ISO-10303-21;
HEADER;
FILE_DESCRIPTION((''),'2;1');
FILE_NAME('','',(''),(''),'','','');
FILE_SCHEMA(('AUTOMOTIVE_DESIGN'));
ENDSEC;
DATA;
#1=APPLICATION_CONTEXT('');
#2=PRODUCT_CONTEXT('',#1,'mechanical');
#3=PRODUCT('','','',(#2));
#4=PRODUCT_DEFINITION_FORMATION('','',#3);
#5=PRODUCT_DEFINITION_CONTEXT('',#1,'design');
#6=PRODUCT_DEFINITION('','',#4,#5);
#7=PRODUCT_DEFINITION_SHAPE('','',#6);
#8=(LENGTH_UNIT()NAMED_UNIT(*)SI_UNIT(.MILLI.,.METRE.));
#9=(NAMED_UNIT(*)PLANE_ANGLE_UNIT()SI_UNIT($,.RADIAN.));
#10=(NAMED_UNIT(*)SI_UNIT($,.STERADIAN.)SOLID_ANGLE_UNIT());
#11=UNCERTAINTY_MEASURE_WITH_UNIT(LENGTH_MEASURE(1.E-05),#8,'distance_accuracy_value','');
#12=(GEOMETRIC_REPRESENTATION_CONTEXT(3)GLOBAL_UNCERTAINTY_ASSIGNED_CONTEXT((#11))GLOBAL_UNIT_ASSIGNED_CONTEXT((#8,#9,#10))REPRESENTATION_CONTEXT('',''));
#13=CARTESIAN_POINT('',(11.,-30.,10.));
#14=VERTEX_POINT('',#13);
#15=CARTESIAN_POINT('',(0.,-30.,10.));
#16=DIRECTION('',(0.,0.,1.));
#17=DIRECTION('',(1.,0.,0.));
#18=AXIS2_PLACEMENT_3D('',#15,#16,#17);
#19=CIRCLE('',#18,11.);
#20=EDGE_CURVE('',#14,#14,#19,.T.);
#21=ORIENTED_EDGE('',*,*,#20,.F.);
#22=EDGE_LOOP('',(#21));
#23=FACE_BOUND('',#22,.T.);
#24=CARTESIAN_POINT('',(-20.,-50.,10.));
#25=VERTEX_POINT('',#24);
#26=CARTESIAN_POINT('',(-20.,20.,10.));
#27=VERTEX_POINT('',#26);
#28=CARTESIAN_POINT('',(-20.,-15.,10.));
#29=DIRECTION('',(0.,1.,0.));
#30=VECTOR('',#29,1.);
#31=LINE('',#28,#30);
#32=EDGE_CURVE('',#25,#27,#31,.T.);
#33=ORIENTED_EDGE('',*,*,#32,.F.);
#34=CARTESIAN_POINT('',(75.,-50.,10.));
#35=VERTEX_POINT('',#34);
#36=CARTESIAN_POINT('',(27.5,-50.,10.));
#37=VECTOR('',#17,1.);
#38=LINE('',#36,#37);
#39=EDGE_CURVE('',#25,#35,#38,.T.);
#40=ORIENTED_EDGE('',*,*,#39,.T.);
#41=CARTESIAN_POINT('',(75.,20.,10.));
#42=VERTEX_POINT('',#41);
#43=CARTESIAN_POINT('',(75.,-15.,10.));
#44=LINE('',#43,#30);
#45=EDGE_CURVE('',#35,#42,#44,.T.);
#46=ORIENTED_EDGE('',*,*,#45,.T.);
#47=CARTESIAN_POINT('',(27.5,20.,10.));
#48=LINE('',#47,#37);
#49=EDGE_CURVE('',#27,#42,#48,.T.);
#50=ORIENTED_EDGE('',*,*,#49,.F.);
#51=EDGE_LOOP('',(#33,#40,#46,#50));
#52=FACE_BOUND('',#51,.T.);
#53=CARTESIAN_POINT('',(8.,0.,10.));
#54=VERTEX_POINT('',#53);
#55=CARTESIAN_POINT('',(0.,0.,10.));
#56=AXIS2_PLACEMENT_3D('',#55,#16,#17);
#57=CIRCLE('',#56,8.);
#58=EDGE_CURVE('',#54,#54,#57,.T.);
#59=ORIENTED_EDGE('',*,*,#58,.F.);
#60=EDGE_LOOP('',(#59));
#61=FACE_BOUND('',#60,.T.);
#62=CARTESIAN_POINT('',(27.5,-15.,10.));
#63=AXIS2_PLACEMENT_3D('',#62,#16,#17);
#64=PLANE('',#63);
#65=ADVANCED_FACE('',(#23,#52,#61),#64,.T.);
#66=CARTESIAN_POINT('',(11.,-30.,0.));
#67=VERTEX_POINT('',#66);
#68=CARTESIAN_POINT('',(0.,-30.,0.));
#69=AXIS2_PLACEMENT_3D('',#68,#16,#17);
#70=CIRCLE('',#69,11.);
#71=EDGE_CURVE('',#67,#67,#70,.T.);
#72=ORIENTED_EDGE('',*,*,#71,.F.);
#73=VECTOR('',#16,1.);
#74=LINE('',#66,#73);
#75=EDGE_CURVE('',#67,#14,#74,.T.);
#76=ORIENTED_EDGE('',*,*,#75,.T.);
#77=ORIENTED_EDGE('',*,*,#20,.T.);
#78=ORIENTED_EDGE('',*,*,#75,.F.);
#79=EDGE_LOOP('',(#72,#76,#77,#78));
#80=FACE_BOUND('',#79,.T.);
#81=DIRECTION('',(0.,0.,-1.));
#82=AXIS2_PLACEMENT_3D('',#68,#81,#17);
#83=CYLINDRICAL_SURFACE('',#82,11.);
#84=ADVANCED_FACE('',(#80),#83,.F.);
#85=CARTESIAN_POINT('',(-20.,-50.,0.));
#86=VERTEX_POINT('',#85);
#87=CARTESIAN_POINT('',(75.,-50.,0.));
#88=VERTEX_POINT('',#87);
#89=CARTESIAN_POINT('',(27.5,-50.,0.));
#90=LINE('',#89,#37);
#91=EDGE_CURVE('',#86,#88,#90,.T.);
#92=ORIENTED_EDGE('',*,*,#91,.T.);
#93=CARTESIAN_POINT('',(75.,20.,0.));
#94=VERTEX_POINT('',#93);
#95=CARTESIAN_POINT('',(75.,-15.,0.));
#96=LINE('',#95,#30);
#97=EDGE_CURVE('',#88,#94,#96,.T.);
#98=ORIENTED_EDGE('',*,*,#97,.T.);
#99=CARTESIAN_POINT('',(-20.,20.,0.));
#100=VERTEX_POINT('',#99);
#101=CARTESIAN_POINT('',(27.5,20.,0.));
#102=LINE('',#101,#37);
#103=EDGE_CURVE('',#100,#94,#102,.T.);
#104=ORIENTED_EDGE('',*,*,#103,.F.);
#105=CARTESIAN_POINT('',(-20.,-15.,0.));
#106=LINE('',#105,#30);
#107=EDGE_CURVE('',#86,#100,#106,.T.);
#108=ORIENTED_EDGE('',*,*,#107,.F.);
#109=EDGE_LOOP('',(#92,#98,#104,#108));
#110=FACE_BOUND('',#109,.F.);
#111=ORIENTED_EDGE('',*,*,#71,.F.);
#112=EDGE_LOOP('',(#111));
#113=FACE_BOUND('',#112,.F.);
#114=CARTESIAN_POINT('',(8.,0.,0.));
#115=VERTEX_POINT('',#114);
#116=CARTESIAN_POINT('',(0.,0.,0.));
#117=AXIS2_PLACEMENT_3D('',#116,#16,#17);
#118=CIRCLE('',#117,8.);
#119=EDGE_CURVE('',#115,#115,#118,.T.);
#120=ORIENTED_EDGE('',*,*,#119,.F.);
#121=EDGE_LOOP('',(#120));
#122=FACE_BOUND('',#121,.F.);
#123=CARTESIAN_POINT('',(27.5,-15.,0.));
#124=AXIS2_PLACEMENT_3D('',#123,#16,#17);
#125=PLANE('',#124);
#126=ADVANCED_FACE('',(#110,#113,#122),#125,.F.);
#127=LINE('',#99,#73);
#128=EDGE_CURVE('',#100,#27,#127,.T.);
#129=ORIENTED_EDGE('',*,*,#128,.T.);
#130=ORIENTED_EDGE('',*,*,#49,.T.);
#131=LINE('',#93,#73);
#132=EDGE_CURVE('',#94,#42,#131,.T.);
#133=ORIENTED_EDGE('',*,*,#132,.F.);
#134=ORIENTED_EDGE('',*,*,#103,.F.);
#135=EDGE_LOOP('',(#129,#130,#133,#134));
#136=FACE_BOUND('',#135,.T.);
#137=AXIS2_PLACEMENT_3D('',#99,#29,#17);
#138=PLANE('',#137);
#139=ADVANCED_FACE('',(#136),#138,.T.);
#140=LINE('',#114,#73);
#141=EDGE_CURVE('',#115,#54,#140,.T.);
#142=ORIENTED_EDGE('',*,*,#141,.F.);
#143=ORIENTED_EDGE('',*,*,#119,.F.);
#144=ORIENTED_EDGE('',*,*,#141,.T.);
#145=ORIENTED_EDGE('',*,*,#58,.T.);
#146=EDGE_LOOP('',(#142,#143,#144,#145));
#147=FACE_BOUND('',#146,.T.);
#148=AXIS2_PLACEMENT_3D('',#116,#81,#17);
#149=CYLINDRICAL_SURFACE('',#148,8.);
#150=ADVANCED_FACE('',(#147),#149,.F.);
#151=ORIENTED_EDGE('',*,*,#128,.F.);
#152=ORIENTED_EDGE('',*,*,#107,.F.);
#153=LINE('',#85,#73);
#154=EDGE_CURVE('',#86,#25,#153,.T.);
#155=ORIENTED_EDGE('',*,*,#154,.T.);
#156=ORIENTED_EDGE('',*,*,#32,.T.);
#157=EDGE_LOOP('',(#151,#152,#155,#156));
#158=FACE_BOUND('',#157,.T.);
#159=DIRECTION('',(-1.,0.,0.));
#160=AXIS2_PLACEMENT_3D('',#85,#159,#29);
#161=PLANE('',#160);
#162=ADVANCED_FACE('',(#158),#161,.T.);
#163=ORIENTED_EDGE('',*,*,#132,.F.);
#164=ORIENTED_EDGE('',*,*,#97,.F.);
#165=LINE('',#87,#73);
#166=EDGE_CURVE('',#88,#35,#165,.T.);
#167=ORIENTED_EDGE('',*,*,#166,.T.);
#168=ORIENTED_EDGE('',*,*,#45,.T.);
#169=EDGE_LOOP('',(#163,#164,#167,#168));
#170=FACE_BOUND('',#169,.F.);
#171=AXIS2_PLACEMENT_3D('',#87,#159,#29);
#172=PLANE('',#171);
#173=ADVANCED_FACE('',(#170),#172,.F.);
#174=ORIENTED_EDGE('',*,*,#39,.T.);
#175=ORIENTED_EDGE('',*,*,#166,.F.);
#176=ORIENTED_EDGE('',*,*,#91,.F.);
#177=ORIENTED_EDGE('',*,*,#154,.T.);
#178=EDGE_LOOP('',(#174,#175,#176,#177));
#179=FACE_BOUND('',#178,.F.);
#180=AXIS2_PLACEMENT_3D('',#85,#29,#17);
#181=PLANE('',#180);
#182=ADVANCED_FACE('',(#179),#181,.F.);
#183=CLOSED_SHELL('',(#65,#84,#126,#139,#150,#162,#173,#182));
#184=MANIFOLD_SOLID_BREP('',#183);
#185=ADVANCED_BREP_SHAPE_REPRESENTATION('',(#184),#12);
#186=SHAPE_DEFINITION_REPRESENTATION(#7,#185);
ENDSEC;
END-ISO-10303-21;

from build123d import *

# Parameters (mm, degrees)
SKETCH_W   = 95
SKETCH_H   = 70
SKETCH_R   = 8
SKETCH_R_2 = 11
PAD_DEPTH  = 10


with BuildPart() as part:
    # Sketch → Pad (new body)
    with BuildSketch(Plane.XY):
        with Locations((27.5, -15)):
            Rectangle(SKETCH_W, SKETCH_H)
        Circle(SKETCH_R, mode=Mode.SUBTRACT)
        with Locations((0, -30)):
            Circle(SKETCH_R_2, mode=Mode.SUBTRACT)
    extrude(amount=PAD_DEPTH)


solid = part.part
